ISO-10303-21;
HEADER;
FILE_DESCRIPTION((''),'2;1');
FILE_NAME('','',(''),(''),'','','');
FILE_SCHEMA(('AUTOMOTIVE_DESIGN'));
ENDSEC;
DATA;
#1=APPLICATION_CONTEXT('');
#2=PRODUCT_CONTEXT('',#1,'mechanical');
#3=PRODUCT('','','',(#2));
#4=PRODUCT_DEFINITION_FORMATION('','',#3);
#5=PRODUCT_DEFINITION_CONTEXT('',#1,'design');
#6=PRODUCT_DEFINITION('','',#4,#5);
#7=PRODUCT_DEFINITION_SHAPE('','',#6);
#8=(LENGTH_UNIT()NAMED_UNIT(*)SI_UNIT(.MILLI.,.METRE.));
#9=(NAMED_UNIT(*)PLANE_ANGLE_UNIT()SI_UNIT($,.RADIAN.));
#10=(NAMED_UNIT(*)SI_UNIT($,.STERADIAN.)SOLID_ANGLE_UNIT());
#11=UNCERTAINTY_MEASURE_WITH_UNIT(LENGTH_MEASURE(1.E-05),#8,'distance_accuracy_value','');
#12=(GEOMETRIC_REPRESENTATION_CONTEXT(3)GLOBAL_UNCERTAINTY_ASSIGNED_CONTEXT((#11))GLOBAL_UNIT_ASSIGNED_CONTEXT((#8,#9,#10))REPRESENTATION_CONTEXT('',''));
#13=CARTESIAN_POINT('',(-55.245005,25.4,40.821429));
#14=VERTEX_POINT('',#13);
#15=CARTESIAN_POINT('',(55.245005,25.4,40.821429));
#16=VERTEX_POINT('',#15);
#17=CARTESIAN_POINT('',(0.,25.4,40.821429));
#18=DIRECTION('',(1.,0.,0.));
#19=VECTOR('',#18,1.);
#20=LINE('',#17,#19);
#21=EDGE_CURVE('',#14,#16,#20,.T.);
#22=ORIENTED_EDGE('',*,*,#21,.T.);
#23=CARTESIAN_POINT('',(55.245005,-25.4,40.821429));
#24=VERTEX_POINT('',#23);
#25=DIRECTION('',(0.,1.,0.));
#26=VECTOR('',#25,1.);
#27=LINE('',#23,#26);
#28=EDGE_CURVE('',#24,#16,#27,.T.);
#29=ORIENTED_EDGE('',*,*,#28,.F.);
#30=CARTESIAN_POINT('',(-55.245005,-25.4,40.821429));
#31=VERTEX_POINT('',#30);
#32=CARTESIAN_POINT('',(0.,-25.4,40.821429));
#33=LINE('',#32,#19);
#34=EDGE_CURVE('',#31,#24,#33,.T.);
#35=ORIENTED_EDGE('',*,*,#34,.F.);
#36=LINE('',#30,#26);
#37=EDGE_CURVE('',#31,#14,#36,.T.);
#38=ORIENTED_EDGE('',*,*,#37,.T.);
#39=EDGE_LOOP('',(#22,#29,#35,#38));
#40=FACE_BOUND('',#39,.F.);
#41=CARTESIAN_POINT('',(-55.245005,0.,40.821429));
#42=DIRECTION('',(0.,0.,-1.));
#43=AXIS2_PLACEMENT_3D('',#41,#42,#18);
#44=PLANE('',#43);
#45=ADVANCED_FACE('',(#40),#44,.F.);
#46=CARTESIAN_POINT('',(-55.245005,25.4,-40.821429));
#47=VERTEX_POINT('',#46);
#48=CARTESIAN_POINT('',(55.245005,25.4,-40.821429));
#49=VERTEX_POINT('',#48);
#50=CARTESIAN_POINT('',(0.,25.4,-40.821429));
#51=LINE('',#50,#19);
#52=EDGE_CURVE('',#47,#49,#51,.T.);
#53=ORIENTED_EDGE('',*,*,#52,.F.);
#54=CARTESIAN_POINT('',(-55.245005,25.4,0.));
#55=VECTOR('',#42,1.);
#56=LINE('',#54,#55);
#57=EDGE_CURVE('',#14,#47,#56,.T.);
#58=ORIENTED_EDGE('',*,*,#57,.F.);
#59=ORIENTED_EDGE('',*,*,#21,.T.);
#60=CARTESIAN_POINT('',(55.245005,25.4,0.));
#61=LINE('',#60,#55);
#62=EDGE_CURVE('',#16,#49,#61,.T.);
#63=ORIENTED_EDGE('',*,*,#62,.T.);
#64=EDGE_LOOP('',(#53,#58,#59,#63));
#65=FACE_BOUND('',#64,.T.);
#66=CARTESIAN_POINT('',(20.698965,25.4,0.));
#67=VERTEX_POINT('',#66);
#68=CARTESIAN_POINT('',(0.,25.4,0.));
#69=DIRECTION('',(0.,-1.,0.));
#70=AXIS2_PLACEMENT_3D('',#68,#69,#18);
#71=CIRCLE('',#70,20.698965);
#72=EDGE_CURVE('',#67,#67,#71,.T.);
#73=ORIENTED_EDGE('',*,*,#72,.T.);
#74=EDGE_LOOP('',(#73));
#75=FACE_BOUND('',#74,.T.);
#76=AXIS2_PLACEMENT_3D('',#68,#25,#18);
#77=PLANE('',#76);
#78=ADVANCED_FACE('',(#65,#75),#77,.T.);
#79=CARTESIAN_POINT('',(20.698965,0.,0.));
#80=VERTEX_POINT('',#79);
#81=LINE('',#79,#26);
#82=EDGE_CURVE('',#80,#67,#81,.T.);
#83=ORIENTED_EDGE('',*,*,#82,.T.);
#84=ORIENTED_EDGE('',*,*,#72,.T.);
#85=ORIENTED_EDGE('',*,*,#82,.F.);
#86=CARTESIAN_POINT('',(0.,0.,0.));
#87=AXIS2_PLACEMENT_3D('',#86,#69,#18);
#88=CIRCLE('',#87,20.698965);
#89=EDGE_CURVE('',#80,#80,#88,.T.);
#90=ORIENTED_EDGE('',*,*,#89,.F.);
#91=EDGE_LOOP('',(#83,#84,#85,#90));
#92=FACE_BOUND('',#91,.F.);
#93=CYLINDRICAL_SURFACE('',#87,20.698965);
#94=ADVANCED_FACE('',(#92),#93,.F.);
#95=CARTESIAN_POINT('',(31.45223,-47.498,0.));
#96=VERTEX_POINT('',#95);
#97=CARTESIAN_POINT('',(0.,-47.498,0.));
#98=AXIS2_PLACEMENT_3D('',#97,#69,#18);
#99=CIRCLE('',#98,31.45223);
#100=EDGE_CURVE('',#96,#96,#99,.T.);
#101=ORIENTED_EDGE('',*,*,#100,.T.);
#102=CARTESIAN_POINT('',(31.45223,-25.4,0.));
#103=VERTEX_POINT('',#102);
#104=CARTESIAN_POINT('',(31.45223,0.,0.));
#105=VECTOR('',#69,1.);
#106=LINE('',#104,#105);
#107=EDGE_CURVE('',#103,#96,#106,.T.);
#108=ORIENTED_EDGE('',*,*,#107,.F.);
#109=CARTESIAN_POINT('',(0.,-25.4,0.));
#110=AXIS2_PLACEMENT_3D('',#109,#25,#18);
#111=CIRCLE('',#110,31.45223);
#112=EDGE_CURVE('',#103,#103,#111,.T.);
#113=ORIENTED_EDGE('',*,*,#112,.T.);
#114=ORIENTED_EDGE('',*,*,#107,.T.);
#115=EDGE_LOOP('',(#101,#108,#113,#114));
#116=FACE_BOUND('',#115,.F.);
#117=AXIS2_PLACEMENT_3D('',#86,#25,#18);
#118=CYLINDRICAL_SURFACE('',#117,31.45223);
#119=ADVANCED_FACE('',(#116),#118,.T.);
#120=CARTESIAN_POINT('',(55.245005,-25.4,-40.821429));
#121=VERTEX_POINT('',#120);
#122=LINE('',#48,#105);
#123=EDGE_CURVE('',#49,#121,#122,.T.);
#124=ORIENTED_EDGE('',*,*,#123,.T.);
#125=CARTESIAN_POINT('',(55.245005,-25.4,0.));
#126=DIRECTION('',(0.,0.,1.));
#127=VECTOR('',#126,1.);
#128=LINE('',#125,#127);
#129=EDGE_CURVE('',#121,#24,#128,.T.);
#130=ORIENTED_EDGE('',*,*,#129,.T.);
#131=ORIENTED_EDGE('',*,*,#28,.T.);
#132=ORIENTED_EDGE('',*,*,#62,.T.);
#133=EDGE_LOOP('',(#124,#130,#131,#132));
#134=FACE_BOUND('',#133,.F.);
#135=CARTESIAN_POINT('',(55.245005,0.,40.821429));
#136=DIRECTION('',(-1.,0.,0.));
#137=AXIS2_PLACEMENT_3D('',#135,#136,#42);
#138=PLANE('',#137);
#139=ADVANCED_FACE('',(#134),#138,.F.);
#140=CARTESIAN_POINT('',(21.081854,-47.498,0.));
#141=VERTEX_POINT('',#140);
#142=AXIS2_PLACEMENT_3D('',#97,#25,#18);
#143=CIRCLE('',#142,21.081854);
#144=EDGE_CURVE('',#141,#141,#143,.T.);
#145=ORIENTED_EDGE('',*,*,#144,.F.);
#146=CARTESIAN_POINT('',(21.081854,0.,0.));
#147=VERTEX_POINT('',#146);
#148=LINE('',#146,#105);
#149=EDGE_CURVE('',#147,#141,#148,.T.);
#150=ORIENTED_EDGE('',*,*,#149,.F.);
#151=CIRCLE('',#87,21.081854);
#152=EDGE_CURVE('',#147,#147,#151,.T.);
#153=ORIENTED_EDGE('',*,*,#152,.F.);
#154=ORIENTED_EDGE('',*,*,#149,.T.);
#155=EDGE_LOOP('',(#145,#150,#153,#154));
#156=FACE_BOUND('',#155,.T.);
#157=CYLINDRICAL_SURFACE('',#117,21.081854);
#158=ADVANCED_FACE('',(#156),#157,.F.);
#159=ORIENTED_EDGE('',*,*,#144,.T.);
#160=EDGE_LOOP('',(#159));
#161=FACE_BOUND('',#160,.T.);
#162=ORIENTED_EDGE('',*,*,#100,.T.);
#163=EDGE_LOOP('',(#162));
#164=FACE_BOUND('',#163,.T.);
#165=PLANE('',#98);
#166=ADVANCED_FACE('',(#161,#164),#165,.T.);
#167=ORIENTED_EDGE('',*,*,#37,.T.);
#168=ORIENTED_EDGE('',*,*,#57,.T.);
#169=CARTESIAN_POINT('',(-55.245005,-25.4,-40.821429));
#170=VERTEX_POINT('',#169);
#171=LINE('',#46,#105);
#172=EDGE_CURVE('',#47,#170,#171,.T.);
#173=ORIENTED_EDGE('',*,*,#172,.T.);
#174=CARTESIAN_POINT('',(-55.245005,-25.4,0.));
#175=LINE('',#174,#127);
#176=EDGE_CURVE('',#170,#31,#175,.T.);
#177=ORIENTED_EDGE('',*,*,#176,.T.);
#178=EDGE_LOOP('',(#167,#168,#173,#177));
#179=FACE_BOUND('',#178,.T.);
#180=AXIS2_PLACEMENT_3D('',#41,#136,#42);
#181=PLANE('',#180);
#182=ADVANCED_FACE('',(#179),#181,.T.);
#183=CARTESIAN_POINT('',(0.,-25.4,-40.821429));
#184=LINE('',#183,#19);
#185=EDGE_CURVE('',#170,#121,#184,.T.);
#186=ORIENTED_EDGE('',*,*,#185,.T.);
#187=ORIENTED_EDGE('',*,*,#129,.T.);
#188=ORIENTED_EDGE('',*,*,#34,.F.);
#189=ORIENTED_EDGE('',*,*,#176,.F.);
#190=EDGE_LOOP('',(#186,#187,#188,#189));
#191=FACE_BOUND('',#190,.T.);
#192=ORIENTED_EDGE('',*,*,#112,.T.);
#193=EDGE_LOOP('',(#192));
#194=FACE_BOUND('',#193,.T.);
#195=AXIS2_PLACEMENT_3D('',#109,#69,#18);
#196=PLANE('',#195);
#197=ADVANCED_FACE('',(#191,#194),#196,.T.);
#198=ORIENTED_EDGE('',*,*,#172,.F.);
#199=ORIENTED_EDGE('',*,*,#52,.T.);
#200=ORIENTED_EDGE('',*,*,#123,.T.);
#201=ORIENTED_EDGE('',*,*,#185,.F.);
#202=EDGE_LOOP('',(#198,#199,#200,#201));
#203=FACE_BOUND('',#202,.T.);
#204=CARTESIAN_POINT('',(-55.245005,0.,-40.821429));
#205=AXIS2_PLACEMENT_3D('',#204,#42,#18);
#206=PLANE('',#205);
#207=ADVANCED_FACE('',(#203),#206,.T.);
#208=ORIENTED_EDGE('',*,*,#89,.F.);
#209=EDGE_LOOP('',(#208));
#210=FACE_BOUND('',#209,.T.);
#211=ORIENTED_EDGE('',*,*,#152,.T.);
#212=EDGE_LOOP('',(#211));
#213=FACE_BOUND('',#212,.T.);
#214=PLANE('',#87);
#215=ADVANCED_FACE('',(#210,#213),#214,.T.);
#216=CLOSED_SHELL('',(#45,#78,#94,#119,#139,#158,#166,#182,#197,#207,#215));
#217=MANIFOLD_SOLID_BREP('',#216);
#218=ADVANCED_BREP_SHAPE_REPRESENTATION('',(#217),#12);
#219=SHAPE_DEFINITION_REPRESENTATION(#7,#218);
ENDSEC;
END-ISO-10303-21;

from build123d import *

# Parameters (mm, degrees)
F0_W      = 110.49001
F0_H      = 81.642858
F1_DEPTH  = 25.4
F1_FACE_W = 110.49001
F1_FACE_H = 81.642858
F2_DEPTH  = 25.4
F4_R      = 31.45223
F5_DEPTH  = 47.498
F3_R      = 21.081854
F6_DEPTH  = 117.856
F7_R      = 20.698965
F8_DEPTH  = 81.534


with BuildPart() as f1:
    # F0 (on Front) → F1 (new body)
    with BuildSketch(Plane.XZ):
        Rectangle(F0_W, F0_H)
    extrude(amount=F1_DEPTH)

    # F1_face (on face) → F2 (join)
    with BuildSketch(Plane(origin=(0, 0, 0), x_dir=(1, 0, 0), z_dir=(0, 1, 0))):
        Rectangle(F1_FACE_W, F1_FACE_H)
    extrude(amount=F2_DEPTH)

    # F4 (on Front) → F5 (join)
    with BuildSketch(Plane.XZ):
        Circle(F4_R)
    extrude(amount=F5_DEPTH)

    # F3 (on Front) → F6 (cut)
    with BuildSketch(Plane.XZ):
        Circle(F3_R)
    extrude(amount=F6_DEPTH, mode=Mode.SUBTRACT)

    # F7 (on Front) → F8 (cut)
    with BuildSketch(Plane.XZ):
        Circle(F7_R)
    extrude(amount=-F8_DEPTH, mode=Mode.SUBTRACT)


solid = f1.part
